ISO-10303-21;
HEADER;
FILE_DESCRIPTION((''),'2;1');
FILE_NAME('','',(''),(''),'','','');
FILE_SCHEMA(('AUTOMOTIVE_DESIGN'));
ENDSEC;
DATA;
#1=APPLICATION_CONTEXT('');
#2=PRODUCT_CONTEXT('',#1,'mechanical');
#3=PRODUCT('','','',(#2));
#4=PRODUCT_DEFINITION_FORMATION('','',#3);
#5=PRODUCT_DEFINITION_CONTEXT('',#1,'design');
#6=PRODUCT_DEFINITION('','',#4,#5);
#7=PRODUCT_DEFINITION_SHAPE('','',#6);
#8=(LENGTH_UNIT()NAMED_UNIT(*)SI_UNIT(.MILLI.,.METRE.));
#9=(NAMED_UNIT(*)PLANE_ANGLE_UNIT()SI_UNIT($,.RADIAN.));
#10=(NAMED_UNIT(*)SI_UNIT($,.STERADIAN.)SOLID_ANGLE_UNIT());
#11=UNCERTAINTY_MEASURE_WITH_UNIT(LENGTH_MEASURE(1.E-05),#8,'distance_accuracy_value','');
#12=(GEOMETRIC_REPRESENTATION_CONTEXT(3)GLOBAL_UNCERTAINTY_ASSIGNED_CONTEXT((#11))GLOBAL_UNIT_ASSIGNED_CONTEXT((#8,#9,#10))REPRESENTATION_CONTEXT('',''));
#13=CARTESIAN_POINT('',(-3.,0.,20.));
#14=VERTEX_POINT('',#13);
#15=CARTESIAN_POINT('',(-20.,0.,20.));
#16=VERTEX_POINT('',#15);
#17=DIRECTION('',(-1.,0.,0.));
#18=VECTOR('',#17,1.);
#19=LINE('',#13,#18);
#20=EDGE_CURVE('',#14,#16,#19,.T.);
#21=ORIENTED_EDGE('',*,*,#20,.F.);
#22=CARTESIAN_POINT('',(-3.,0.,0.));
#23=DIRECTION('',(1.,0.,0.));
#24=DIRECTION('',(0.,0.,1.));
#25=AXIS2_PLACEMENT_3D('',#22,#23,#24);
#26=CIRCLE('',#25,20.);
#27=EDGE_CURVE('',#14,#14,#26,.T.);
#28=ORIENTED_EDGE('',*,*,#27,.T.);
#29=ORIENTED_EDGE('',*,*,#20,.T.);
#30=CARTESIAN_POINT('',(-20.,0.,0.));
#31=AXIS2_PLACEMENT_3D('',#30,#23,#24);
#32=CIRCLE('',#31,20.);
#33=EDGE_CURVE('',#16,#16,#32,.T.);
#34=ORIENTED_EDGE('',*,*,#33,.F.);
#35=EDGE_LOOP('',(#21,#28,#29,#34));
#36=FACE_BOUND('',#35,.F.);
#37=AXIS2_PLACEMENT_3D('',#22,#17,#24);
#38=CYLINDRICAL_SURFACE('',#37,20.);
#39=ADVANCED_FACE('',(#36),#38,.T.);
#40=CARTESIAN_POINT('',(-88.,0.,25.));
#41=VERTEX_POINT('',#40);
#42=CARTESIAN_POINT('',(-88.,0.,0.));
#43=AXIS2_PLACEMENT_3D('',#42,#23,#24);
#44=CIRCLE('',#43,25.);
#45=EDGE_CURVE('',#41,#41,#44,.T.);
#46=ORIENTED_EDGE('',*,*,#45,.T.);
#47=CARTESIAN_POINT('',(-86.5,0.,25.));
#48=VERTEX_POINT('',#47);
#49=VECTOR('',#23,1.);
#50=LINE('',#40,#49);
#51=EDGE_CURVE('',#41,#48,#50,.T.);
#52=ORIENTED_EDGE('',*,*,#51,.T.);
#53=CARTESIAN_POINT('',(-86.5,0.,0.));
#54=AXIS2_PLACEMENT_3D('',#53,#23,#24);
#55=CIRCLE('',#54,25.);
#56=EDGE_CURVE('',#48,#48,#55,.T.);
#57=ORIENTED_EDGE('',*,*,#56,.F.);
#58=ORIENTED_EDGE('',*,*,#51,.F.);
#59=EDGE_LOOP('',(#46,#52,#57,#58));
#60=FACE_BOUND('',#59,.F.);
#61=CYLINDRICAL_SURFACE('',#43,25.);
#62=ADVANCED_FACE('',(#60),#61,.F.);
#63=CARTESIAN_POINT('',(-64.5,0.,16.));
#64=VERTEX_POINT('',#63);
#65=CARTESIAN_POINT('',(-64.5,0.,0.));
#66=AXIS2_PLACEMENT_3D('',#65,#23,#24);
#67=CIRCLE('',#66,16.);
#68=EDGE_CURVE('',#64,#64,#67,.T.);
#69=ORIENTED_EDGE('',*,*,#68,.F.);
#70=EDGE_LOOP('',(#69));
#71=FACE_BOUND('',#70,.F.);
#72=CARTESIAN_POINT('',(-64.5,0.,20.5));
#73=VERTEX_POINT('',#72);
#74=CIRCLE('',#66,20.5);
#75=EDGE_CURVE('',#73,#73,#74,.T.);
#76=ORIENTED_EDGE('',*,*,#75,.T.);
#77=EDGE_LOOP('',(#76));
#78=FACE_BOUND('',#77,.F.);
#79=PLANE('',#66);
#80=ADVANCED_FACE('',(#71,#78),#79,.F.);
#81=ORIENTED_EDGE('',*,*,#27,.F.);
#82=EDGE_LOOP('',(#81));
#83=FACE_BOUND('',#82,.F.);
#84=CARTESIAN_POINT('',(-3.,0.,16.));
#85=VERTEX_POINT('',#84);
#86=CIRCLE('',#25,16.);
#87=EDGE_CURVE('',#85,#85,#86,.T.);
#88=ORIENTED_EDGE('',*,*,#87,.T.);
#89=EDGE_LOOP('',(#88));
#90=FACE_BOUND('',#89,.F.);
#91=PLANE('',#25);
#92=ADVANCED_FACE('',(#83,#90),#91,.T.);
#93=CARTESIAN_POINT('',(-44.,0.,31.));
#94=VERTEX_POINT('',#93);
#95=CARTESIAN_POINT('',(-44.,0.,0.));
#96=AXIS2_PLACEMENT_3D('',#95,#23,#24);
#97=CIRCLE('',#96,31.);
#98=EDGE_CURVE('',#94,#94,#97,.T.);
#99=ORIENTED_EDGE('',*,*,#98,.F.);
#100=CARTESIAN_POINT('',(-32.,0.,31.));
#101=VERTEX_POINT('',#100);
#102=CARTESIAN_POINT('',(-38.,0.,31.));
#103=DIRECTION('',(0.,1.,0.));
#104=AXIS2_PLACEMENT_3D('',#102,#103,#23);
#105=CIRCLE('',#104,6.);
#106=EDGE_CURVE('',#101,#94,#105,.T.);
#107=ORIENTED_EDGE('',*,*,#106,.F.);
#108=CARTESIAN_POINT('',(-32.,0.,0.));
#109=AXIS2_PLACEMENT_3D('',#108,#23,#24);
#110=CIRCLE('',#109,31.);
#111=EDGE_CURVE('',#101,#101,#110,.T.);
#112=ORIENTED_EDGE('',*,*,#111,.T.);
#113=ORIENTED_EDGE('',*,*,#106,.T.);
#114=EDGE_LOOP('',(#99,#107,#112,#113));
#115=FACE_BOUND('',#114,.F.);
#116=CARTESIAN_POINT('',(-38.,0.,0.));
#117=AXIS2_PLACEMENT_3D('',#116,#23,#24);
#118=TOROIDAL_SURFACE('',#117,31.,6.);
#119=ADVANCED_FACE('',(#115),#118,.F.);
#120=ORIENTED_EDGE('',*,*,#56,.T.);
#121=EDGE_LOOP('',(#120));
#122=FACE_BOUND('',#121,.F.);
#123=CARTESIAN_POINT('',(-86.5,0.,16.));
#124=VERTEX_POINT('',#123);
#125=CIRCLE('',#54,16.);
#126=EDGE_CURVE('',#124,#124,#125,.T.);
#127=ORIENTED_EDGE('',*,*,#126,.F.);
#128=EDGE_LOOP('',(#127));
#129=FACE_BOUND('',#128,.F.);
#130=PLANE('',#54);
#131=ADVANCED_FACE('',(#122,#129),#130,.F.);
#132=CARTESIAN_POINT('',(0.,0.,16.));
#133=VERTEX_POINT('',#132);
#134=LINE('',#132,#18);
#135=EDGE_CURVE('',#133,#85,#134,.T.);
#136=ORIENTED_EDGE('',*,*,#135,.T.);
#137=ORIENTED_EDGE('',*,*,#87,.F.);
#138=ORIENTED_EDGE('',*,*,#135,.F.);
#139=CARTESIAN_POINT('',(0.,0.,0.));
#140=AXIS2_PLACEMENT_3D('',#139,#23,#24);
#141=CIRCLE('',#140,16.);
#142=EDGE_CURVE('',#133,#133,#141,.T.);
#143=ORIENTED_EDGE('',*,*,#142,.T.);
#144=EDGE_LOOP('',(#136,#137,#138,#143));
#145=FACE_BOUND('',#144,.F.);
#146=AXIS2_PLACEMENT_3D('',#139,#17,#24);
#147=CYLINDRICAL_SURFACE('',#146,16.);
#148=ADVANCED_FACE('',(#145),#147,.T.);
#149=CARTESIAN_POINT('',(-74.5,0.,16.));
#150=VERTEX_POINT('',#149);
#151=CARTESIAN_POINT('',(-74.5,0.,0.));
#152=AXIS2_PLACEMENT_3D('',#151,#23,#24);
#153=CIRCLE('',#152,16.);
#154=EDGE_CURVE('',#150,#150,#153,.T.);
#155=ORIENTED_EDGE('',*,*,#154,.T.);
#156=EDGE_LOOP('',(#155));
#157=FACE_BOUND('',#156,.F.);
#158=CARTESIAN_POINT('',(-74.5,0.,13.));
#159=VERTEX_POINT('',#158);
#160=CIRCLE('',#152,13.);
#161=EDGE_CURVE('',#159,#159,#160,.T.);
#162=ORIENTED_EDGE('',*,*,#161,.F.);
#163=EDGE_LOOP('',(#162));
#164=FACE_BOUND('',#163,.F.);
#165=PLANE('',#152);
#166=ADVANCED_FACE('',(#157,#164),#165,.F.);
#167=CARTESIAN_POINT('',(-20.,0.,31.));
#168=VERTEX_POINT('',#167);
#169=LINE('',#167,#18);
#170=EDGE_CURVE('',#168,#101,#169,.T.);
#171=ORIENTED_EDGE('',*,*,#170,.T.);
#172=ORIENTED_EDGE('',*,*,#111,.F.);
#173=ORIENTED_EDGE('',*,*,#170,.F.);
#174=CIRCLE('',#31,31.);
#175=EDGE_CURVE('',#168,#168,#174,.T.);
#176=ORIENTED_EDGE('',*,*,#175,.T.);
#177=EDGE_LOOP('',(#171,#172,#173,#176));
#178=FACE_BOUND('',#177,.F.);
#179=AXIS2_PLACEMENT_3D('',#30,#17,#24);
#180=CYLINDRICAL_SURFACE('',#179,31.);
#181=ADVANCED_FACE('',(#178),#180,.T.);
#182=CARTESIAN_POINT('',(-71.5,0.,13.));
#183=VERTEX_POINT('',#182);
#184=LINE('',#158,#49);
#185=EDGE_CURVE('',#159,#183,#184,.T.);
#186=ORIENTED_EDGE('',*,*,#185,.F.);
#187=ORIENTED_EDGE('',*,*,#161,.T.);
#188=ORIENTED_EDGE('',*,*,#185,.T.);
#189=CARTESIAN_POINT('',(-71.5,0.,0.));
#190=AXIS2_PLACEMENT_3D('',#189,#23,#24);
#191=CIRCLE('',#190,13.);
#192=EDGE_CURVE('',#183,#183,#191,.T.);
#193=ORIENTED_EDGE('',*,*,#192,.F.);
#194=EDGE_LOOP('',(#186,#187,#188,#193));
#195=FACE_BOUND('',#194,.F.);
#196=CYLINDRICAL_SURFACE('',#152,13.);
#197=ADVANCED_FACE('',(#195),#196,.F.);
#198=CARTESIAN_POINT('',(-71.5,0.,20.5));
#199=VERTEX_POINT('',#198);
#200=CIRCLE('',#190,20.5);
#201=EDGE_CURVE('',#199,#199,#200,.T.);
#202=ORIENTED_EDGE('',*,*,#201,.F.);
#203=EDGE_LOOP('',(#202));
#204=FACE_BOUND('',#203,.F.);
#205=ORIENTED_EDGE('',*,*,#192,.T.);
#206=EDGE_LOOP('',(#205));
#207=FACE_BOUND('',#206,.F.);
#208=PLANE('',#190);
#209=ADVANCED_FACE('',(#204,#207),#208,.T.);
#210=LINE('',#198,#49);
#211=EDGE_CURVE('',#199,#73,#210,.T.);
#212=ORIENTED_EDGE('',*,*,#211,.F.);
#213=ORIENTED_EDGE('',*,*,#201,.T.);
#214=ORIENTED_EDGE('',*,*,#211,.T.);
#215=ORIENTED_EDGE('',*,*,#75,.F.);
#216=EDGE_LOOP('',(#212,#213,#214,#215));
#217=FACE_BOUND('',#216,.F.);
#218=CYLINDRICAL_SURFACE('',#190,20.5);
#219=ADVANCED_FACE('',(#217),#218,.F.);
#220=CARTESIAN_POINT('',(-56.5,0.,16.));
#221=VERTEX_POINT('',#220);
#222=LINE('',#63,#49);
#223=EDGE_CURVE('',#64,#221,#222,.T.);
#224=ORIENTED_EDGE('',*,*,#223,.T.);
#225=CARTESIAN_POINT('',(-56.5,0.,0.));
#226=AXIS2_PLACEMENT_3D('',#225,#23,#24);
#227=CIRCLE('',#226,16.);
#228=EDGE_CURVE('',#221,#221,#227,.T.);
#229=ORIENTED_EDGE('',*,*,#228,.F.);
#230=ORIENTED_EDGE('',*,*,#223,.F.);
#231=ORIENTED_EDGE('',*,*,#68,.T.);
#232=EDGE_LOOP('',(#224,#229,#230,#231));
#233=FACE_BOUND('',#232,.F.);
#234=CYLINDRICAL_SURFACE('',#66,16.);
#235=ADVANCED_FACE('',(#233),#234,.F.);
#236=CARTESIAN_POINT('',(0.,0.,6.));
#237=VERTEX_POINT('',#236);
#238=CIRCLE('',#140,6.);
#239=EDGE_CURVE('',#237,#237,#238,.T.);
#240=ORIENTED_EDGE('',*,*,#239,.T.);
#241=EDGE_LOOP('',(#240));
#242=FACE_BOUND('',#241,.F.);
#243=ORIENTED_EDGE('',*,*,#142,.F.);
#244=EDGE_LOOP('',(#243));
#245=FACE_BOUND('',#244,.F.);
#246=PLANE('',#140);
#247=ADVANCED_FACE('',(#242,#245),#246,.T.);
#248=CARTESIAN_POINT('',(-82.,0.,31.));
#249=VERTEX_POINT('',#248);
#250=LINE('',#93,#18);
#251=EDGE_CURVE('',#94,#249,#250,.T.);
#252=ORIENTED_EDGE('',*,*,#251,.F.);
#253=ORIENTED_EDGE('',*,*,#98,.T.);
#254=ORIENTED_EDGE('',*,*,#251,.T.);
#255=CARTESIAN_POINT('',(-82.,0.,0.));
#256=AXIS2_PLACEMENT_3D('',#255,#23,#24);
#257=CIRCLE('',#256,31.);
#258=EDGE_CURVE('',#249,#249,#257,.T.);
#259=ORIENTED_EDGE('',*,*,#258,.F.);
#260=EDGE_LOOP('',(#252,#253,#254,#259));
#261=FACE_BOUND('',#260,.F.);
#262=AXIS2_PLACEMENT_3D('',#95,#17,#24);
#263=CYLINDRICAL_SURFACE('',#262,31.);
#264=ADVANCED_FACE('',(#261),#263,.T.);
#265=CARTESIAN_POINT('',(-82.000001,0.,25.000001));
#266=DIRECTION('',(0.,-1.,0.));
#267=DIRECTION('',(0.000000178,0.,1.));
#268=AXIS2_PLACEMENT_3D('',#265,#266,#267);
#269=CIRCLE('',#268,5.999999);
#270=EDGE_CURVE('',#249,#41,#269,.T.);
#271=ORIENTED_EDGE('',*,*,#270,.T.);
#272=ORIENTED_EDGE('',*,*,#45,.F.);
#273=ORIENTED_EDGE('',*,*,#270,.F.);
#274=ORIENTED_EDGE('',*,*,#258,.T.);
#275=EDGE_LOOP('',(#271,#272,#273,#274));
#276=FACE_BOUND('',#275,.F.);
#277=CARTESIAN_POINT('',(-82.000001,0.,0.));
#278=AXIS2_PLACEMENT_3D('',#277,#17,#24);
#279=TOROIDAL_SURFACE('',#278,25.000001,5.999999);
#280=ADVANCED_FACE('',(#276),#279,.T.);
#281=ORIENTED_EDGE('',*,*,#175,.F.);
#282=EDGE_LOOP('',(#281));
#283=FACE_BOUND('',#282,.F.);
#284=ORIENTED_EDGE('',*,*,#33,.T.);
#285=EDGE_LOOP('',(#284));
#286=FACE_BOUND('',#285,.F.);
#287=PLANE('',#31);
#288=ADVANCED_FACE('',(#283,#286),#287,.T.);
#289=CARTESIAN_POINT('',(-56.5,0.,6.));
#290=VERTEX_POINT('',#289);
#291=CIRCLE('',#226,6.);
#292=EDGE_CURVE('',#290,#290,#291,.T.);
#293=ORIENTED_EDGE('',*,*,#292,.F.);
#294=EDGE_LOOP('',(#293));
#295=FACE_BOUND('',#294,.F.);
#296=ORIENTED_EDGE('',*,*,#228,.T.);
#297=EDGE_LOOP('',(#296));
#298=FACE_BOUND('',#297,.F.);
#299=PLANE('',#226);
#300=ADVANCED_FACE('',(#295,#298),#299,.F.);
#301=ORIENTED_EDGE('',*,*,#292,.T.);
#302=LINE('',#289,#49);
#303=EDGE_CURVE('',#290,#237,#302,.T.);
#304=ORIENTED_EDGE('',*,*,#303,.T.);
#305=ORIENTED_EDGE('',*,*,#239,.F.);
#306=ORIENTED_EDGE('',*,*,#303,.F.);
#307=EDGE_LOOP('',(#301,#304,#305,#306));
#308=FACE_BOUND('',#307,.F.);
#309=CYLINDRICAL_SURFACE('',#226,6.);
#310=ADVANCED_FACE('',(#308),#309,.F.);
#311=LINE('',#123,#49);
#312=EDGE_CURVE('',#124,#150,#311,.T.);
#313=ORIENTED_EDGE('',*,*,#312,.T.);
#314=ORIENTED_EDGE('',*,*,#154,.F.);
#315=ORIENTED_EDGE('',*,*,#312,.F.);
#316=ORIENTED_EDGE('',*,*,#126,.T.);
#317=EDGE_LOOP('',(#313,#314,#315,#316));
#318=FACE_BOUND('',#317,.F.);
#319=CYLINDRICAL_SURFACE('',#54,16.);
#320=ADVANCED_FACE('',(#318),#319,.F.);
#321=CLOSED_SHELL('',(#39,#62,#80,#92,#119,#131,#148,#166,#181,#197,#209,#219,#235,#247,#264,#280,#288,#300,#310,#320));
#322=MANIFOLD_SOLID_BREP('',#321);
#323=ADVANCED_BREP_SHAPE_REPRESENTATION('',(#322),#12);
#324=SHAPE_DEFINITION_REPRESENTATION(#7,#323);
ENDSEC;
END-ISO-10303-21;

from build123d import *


with BuildPart() as f1:
    # F0 (on Front) → F1 (revolve)
    with BuildSketch(Plane.XZ):
        with BuildLine():
            Line((-56.5, 6), (0, 6))
            Line((0, 6), (0, 16))
            Line((0, 16), (-3, 16))
            Line((-3, 16), (-3, 20))
            Line((-3, 20), (-20, 20))
            Line((-20, 20), (-20, 31))
            Line((-20, 31), (-32, 31))
            ThreePointArc((-32, 31), (-38, 25), (-44, 31))
            Line((-44, 31), (-82, 31))
            ThreePointArc((-82, 31), (-86.242641, 29.242641), (-88, 25))
            Line((-88, 25), (-86.5, 25))
            Line((-86.5, 25), (-86.5, 16))
            Line((-86.5, 16), (-74.5, 16))
            Line((-74.5, 16), (-74.5, 13))
            Line((-74.5, 13), (-71.5, 13))
            Line((-71.5, 13), (-71.5, 20.5))
            Line((-71.5, 20.5), (-64.5, 20.5))
            Line((-64.5, 20.5), (-64.5, 16))
            Line((-64.5, 16), (-56.5, 16))
            Line((-56.5, 16), (-56.5, 6))
        make_face()
    revolve(axis=Axis((-44, 0, 0), (1, 0, 0)))


solid = f1.part
